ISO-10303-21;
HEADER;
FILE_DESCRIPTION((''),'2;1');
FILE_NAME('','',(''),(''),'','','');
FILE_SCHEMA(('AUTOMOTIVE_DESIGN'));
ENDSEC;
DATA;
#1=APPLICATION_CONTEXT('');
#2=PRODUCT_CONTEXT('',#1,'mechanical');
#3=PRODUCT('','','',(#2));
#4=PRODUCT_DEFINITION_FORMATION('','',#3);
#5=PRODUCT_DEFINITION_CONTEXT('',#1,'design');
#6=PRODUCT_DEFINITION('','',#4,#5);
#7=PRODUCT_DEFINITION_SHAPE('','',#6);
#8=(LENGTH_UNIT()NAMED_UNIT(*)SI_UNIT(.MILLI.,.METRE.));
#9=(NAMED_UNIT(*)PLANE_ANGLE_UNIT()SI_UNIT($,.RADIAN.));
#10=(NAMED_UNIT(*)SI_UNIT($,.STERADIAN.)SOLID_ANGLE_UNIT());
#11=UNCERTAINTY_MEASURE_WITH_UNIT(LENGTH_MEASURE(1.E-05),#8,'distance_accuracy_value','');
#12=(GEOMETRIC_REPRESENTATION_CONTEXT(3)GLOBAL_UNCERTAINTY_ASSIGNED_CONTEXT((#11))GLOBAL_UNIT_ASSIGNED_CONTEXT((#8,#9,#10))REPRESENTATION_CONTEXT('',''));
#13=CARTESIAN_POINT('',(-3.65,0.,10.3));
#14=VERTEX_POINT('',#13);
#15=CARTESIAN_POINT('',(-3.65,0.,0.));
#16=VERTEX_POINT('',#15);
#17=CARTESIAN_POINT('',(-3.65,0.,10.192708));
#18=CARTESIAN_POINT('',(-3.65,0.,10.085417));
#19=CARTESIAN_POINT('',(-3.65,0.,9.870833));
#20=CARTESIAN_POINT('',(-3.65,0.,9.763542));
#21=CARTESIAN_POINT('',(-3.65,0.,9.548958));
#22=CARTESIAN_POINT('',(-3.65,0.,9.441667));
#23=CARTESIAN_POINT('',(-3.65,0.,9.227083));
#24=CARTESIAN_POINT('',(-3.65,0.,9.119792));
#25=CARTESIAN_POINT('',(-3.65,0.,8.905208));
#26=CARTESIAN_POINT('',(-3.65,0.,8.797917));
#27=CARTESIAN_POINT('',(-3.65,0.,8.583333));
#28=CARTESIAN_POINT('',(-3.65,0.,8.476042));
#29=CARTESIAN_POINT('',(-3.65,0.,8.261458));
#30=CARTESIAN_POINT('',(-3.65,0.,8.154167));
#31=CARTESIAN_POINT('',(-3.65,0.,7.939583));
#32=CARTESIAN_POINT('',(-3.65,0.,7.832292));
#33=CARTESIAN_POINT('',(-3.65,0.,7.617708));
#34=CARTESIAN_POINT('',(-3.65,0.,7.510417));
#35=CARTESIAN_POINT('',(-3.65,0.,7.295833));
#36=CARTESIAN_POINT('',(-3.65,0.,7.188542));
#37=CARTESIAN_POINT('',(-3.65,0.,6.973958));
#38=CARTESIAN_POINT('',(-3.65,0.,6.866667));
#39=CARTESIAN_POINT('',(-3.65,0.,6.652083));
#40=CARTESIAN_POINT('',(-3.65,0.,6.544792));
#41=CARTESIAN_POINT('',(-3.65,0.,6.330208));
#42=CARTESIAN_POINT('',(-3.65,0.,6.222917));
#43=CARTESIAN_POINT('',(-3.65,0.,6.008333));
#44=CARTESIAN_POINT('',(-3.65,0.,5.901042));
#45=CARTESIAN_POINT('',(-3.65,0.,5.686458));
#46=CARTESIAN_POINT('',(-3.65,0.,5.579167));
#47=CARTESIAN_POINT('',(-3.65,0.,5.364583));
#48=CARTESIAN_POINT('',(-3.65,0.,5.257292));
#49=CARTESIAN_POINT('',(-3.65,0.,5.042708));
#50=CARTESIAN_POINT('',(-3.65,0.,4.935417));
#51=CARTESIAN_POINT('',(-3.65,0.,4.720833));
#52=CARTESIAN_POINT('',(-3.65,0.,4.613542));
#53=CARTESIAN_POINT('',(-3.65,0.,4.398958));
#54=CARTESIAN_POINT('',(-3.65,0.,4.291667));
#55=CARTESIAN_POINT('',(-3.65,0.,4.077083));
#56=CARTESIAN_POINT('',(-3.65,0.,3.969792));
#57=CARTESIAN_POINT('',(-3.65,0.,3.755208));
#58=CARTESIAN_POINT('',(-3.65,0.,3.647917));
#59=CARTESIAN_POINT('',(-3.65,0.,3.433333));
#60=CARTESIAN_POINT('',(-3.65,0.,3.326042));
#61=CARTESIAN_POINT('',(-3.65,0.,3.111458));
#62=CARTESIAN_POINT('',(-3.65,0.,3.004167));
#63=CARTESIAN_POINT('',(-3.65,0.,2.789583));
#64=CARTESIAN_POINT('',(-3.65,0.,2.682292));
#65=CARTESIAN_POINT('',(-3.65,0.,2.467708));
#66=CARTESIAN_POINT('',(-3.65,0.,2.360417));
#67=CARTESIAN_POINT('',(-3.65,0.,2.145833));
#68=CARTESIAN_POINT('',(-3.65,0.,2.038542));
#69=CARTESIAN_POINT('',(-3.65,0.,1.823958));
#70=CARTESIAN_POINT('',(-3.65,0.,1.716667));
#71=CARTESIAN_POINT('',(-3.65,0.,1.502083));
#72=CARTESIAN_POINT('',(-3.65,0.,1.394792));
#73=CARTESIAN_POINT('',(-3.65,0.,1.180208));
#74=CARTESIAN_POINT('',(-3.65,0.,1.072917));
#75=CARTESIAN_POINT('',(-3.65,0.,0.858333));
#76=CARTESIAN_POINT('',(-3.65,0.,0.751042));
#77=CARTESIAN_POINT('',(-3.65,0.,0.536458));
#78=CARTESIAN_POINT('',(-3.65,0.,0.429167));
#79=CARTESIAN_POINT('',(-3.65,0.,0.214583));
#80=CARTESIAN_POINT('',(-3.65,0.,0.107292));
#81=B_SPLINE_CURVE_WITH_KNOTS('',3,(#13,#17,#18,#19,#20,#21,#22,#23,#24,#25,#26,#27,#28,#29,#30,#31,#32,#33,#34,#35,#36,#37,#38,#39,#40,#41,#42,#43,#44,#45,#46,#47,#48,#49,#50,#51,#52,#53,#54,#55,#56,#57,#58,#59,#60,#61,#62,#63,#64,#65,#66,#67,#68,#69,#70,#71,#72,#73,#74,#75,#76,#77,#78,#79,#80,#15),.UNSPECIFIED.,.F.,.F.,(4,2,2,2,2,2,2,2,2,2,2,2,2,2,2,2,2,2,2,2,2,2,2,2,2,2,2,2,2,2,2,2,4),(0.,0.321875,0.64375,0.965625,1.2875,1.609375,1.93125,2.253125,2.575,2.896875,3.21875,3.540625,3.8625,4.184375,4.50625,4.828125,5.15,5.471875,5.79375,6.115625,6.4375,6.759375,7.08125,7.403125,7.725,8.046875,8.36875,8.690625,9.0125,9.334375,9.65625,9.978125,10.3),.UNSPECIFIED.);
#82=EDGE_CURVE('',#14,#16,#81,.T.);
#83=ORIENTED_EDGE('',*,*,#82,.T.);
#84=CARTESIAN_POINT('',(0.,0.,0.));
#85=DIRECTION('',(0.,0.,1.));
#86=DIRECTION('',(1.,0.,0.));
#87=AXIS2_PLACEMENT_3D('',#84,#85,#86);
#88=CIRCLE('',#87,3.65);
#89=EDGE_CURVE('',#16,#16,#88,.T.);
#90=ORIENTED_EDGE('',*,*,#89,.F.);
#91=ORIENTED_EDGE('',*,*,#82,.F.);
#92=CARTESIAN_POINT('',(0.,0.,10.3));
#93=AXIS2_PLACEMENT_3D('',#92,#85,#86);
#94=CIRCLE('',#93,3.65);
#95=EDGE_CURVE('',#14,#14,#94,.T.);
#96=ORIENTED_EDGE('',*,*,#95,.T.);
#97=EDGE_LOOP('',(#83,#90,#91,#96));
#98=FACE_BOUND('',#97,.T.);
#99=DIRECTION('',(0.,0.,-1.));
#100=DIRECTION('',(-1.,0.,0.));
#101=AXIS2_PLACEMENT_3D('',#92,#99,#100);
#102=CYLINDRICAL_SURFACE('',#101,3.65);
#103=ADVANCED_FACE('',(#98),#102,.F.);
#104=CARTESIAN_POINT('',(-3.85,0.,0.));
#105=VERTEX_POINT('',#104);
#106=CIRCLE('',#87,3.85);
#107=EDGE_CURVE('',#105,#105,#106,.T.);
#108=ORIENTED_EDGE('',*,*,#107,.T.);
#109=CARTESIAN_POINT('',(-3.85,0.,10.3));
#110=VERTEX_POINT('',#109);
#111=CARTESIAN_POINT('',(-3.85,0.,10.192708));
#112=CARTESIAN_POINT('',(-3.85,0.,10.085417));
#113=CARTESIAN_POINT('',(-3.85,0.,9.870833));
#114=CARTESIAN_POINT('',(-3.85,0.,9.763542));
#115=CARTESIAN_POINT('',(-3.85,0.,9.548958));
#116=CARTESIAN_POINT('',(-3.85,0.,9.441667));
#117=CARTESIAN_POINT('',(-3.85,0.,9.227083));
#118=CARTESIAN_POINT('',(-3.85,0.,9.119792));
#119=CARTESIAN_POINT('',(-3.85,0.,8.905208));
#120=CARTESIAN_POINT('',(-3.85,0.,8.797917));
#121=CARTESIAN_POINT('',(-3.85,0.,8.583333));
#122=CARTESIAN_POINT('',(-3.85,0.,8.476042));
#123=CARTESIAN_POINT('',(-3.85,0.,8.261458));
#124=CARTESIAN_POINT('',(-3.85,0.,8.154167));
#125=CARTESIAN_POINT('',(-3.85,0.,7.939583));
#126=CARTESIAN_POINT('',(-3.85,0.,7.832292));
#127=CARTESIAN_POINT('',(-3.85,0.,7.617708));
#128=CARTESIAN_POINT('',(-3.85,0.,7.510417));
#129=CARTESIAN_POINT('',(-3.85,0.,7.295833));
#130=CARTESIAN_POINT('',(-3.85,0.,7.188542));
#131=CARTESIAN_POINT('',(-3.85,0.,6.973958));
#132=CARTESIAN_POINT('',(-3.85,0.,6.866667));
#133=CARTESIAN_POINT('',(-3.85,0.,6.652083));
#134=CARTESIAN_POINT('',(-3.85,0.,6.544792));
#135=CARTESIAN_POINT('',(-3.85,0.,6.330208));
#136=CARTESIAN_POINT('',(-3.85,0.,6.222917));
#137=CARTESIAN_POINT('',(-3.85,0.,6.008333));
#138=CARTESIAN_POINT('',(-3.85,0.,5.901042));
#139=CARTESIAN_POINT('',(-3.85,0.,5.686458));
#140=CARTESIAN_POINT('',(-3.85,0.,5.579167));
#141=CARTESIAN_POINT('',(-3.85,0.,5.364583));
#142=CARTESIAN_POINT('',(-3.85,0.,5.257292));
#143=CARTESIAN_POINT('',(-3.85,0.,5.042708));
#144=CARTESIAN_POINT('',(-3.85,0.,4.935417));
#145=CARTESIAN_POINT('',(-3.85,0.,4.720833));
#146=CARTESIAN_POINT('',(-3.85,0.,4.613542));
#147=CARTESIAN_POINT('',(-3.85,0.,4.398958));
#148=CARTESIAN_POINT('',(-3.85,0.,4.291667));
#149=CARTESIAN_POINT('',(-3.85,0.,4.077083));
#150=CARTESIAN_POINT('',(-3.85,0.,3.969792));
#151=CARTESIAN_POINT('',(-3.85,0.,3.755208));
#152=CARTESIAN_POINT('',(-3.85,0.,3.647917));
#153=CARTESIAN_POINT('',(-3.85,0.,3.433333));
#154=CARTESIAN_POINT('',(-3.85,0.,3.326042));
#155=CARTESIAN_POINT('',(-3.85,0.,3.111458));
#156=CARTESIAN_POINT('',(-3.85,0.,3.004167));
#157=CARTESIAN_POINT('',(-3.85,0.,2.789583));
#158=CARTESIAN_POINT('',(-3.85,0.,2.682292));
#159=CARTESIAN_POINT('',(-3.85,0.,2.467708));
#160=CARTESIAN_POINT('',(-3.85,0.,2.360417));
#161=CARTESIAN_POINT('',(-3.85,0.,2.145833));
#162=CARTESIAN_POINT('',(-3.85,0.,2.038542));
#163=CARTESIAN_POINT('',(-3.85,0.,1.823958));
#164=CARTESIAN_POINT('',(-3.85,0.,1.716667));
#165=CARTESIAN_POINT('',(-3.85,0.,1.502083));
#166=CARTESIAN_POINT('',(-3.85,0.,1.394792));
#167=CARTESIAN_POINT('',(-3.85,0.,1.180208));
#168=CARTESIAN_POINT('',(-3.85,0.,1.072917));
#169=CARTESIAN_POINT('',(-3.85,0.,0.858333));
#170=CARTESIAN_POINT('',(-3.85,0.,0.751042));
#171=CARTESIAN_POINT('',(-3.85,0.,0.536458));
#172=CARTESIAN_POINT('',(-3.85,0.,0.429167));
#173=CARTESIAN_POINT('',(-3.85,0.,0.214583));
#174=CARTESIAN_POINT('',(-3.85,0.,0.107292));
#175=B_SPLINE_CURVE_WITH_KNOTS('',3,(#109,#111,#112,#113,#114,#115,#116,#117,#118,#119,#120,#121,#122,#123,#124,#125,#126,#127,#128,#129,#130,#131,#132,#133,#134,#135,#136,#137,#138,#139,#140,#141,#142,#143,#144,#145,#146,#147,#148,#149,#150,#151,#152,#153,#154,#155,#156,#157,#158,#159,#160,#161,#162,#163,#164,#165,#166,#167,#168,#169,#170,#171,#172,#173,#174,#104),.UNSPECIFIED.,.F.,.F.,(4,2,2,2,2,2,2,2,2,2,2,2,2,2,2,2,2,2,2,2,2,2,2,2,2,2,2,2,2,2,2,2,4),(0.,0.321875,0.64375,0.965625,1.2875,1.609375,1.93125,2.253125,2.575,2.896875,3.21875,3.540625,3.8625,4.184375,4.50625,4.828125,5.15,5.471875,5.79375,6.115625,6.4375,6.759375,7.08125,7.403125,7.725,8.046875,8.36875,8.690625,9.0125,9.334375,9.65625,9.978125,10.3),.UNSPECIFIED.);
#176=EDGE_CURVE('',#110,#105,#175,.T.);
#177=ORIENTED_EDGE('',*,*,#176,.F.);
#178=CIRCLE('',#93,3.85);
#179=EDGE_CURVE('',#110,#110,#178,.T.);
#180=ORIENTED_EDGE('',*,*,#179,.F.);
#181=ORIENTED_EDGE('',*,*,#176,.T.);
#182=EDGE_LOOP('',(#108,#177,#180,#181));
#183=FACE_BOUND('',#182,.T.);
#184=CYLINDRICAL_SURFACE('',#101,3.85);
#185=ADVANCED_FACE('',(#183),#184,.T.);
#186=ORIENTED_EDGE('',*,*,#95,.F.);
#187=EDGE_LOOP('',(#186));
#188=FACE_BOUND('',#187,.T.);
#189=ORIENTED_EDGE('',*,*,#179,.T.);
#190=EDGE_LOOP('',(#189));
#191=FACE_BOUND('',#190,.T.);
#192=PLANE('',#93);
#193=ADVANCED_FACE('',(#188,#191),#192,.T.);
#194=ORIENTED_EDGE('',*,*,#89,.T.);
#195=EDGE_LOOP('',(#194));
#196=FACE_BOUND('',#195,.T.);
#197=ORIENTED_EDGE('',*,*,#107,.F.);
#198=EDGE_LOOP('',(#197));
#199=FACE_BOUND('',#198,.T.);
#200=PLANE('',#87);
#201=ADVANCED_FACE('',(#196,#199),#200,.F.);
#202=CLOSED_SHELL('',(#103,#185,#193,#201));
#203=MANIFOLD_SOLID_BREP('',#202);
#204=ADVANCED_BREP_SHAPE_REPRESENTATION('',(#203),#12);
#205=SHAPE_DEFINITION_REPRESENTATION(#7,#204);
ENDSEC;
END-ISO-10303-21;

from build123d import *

# Parameters (mm, degrees)
ESBO_O1_R                = 3.85
ESBO_O1_R_2              = 3.65
RESSALTO_EXTRUS_O1_DEPTH = 10.3


with BuildPart() as part:
    # Esboço1 → Ressalto-extrusão1 (new body)
    with BuildSketch(Plane.XY):
        with Locations(Location((0, 0, 0), (0, 0, 180))):
            Circle(ESBO_O1_R)
        with Locations(Location((0, 0, 0), (0, 0, 180))):
            Circle(ESBO_O1_R_2, mode=Mode.SUBTRACT)
    extrude(amount=RESSALTO_EXTRUS_O1_DEPTH)


solid = part.part
